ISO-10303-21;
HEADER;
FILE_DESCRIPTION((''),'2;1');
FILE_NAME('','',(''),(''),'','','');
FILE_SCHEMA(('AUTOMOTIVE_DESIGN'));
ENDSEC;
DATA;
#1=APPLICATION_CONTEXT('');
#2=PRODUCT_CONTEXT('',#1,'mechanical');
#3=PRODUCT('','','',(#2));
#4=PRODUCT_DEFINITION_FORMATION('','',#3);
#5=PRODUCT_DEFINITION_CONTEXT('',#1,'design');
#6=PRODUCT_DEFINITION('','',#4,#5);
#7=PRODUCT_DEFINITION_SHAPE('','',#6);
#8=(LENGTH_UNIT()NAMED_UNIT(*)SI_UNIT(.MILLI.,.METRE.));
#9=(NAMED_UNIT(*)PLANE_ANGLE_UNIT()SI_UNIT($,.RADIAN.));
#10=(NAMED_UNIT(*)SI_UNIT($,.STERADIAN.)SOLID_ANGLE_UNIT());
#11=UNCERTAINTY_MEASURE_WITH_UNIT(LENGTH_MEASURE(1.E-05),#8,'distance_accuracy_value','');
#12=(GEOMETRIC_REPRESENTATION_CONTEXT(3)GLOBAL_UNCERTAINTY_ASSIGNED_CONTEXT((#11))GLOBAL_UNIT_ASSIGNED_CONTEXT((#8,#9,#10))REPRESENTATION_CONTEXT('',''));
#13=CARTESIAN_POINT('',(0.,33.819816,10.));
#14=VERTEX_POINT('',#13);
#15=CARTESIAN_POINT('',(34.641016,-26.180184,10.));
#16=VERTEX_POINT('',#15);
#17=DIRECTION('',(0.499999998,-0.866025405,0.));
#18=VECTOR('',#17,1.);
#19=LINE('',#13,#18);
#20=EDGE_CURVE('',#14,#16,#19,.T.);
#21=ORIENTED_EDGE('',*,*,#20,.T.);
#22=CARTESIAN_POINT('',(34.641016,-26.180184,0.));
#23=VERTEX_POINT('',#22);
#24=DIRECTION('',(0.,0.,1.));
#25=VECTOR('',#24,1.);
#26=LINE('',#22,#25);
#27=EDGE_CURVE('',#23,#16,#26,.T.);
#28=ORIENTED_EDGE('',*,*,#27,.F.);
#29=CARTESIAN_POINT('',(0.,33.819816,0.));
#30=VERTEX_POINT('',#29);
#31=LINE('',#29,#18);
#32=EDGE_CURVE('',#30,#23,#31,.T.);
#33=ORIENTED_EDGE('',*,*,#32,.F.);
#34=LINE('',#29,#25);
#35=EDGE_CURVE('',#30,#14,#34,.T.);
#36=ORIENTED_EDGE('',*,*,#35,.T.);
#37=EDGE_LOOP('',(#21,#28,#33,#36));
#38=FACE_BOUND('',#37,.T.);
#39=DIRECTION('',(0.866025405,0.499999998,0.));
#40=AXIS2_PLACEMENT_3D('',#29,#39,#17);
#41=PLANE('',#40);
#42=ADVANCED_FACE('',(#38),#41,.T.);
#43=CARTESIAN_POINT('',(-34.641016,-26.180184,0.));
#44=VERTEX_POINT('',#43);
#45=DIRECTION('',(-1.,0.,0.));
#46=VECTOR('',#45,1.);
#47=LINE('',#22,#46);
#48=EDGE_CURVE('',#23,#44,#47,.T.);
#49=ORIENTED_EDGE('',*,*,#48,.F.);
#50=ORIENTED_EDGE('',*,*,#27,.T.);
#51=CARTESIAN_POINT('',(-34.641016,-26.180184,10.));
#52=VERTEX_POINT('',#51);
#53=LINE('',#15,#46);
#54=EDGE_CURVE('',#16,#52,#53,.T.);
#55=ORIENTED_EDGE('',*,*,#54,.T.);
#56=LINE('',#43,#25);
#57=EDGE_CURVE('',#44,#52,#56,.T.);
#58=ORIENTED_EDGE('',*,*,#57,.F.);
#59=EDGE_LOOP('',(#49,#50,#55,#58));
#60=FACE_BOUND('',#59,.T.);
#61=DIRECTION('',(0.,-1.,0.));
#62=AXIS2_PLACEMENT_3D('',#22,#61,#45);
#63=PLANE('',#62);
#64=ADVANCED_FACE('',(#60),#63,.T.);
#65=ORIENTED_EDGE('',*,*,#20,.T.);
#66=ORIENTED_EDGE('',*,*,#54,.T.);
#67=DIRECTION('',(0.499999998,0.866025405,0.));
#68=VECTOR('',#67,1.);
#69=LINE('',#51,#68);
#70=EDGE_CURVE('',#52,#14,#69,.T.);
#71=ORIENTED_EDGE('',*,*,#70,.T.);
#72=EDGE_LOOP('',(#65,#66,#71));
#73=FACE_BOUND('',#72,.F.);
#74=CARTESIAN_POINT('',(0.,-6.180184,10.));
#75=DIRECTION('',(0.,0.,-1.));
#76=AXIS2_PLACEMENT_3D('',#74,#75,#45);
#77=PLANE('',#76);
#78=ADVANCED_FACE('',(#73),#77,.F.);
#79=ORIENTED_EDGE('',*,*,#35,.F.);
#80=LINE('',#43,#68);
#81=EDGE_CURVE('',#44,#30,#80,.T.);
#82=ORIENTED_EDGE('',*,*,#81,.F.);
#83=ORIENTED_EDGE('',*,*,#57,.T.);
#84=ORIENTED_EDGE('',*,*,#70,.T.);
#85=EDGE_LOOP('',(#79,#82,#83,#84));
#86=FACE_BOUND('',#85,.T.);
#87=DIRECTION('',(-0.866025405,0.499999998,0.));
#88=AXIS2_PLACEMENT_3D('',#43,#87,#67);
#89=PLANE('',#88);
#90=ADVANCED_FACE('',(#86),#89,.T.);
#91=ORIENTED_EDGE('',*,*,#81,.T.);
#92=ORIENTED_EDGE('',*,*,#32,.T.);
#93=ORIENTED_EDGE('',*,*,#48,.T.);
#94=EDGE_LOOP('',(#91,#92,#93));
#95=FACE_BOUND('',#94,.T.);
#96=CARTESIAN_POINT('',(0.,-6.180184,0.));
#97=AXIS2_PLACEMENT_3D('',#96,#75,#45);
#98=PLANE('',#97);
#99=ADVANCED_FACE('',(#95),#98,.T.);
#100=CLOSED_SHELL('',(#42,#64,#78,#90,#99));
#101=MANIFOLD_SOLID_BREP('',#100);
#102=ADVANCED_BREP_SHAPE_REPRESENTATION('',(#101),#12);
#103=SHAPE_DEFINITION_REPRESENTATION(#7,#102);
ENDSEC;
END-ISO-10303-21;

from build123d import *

# Parameters (mm, degrees)
PAD_DEPTH = 10


with BuildPart() as part:
    # Sketch → Pad (new body)
    with BuildSketch(Plane.XY):
        Polygon((0, 33.819816), (34.641016, -26.180184), (-34.641016, -26.180184), align=None)
    extrude(amount=PAD_DEPTH)


solid = part.part
